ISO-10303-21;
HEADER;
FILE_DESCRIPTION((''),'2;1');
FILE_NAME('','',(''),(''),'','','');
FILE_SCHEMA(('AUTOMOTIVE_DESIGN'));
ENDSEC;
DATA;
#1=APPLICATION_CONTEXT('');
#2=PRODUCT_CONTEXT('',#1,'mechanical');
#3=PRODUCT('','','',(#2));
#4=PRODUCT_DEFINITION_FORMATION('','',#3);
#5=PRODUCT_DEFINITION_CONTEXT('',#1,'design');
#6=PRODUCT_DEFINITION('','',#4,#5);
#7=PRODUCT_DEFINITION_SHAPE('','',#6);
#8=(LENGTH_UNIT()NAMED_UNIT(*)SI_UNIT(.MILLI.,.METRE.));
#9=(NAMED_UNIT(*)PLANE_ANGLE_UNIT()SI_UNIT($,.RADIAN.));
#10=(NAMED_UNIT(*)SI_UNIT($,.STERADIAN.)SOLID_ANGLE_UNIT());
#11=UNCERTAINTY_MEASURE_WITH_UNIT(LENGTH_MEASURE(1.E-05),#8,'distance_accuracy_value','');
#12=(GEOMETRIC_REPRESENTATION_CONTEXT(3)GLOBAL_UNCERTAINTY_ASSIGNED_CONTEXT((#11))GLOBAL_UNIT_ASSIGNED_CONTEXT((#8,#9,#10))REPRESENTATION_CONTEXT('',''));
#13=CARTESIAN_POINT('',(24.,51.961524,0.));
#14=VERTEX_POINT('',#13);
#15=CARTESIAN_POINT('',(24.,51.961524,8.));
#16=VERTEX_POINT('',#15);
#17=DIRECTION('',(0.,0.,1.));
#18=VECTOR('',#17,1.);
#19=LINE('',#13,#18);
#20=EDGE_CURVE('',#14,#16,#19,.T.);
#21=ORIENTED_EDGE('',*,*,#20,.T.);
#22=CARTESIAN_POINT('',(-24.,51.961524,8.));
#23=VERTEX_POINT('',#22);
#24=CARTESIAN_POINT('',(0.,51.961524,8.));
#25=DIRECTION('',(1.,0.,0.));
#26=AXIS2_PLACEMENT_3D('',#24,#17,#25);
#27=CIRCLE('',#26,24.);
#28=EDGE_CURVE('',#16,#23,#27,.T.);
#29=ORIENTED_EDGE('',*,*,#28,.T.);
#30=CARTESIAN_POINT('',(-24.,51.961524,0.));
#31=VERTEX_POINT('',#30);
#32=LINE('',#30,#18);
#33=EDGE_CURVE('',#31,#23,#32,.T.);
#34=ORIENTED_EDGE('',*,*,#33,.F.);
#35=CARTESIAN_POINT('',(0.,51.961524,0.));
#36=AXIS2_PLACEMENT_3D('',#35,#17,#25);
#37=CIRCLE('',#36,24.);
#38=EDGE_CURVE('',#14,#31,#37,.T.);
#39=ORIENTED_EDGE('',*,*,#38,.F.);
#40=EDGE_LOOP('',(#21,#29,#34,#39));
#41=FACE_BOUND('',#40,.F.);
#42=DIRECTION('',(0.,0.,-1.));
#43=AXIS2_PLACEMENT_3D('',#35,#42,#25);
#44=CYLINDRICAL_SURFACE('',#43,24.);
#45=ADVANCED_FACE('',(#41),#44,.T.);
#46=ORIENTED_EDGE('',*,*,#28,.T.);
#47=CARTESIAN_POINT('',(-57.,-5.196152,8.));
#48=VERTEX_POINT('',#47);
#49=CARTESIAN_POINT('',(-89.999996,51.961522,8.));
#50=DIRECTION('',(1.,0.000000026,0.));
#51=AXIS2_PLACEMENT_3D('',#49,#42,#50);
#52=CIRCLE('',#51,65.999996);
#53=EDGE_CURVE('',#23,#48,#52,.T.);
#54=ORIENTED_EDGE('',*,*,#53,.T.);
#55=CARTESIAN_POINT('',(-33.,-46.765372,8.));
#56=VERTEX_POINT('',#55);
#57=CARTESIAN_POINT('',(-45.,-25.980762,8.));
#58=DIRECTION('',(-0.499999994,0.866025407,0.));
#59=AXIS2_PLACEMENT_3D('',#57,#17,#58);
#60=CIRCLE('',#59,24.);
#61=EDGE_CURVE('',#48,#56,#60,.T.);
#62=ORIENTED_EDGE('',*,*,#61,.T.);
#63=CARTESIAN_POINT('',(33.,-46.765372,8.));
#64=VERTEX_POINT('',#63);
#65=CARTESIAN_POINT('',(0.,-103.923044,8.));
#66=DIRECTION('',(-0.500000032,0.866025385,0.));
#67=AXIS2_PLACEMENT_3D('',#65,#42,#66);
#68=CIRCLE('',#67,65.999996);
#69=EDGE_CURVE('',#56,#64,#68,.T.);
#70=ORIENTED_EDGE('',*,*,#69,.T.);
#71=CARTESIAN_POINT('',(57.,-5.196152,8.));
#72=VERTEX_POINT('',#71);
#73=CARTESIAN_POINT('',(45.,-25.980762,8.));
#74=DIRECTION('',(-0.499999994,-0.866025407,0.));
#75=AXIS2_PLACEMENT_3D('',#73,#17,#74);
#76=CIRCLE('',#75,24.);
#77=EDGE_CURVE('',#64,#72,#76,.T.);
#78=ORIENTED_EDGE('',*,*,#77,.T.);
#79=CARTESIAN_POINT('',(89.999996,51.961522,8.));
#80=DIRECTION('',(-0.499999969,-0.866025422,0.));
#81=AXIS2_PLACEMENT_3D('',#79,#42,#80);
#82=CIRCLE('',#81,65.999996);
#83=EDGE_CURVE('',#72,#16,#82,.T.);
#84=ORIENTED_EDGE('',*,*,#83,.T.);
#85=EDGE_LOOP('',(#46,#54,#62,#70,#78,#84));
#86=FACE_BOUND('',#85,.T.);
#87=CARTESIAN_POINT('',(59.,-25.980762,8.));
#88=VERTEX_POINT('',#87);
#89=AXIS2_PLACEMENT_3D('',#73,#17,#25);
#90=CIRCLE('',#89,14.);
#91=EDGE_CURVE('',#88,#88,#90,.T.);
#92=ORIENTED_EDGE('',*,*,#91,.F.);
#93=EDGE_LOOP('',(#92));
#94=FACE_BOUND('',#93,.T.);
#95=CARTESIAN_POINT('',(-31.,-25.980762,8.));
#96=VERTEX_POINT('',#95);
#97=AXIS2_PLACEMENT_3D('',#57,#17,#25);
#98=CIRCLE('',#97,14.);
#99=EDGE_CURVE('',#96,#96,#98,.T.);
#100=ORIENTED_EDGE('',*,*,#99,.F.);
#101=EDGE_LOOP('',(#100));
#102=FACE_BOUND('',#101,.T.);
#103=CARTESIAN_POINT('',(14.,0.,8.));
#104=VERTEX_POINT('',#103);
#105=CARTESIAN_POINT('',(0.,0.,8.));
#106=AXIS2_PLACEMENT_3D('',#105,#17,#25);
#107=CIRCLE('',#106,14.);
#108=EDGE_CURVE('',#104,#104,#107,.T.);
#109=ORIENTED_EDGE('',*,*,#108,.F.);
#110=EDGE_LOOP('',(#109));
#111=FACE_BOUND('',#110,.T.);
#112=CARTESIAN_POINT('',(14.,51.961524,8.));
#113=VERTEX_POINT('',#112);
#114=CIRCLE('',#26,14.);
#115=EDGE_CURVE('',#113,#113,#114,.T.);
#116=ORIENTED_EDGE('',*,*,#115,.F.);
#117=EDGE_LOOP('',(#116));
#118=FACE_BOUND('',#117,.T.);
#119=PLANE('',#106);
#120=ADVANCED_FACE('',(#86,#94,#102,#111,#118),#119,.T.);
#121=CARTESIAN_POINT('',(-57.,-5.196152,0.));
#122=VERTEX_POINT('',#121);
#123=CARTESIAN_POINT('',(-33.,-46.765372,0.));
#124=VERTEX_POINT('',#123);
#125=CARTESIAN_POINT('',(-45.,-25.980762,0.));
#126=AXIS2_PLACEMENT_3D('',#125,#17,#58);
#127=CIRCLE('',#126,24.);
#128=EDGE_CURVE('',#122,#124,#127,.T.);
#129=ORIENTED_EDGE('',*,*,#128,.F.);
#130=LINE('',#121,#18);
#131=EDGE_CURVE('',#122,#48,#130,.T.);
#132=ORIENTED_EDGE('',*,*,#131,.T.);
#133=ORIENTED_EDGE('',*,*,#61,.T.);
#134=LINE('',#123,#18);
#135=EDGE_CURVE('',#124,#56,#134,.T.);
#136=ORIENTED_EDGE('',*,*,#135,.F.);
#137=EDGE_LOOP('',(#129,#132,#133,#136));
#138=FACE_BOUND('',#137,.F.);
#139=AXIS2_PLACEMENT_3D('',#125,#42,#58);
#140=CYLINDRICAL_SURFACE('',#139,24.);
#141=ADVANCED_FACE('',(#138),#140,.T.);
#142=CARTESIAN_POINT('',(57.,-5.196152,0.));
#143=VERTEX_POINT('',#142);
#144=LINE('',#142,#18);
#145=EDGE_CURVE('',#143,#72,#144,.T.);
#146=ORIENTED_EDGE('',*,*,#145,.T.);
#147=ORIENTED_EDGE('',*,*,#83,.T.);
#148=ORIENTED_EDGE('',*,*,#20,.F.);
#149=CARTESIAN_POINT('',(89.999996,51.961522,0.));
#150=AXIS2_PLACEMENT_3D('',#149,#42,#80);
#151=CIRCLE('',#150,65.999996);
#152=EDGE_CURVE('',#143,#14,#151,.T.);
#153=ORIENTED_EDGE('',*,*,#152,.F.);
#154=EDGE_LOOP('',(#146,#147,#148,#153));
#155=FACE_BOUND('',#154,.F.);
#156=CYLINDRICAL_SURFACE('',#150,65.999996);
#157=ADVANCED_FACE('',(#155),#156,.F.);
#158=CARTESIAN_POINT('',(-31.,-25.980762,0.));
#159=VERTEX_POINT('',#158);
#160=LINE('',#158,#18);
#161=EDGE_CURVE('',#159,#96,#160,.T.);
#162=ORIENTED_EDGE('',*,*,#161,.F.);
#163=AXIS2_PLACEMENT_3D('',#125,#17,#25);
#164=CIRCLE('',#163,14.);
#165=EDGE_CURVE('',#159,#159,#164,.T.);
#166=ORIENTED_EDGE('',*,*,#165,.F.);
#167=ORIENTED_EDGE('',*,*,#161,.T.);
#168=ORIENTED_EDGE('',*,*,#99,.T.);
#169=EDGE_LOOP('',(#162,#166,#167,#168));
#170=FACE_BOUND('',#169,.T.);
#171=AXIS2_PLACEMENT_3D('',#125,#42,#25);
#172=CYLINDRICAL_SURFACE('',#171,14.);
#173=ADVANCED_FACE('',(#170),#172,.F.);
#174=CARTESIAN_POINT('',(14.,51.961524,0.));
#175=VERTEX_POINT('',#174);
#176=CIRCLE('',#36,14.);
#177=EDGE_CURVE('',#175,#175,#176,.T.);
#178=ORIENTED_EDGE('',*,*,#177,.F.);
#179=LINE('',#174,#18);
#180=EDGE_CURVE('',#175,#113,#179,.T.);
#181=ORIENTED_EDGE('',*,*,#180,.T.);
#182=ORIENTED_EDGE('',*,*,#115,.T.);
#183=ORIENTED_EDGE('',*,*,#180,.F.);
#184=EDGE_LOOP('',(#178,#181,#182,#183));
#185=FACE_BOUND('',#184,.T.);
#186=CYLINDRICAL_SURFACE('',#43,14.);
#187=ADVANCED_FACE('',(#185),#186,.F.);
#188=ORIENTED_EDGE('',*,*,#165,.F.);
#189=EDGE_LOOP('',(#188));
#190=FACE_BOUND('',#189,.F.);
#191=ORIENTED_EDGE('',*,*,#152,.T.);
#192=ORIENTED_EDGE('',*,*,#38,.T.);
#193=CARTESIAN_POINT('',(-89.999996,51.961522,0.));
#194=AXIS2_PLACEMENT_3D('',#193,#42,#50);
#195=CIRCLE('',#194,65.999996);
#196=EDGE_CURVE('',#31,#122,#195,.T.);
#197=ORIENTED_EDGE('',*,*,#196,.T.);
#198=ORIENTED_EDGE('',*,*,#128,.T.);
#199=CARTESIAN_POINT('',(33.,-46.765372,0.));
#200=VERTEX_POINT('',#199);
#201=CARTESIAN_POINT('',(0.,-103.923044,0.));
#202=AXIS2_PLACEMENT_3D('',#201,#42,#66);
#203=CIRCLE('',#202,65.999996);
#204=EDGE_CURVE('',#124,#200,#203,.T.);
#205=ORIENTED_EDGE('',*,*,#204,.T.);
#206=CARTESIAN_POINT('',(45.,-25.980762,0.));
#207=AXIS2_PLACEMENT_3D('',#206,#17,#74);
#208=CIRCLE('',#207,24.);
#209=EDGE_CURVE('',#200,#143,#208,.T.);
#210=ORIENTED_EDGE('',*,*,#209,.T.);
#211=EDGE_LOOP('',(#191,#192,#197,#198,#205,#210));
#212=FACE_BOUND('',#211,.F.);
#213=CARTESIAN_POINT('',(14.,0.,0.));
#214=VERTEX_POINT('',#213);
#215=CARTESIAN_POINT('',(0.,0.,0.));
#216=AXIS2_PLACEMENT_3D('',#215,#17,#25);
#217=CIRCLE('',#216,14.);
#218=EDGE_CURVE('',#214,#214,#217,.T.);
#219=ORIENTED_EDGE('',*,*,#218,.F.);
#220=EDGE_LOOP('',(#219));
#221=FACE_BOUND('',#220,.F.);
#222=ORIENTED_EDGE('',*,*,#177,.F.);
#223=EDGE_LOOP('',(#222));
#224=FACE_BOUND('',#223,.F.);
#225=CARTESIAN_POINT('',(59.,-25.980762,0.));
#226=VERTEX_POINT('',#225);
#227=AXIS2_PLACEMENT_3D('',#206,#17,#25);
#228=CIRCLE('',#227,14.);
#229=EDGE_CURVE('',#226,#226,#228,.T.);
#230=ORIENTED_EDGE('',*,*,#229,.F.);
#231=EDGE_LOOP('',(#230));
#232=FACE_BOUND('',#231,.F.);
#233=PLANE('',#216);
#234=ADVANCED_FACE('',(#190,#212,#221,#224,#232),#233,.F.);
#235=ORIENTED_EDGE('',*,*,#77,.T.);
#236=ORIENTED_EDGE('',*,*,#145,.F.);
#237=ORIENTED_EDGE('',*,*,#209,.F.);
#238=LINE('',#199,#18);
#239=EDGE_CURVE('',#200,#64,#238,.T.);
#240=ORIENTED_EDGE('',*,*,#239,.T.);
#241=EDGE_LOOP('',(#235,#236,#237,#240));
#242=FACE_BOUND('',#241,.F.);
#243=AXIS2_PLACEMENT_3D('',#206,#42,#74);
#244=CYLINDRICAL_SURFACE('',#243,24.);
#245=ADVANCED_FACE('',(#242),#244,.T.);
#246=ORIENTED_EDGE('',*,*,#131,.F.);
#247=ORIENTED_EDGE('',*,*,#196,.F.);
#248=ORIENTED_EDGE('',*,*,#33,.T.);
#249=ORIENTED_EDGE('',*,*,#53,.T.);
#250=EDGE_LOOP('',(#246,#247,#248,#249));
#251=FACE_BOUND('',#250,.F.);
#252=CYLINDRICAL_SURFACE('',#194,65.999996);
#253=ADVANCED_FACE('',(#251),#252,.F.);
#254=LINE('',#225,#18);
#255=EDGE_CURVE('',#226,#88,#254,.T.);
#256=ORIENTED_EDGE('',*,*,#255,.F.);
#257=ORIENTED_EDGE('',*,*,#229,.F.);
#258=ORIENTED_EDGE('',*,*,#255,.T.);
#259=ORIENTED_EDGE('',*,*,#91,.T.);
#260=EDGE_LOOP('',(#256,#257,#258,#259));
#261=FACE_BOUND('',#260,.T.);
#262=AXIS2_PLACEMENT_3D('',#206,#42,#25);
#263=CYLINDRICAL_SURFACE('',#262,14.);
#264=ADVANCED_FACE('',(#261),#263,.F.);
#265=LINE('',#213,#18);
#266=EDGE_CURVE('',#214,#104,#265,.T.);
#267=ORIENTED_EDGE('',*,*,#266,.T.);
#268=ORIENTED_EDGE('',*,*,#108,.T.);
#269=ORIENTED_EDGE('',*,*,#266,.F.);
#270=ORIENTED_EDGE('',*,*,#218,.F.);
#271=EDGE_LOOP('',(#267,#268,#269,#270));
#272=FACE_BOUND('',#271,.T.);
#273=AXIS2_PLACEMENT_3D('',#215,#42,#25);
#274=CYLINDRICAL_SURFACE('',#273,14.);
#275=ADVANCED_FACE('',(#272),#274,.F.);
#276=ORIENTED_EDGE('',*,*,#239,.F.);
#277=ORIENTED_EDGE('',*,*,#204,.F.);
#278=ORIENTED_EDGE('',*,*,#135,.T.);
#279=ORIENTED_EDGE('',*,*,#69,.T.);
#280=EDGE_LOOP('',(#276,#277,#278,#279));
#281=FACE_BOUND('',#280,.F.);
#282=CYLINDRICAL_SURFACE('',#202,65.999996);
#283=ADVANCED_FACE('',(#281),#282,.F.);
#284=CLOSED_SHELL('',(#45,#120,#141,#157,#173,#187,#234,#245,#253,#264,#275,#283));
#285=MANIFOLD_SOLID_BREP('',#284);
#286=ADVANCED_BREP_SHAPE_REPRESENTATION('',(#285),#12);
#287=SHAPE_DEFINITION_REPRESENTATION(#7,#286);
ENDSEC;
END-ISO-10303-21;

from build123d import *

# Parameters (mm, degrees)
F0_R     = 14
F1_DEPTH = 8


with BuildPart() as f1:
    # F0 (on Top) → F1 (new body)
    with BuildSketch(Plane.XY):
        with BuildLine():
            ThreePointArc((57, -5.196152), (32.842323, 18.961524), (24, 51.961524))
            ThreePointArc((24, 51.961524), (0, 75.961524), (-24, 51.961524))
            ThreePointArc((-24, 51.961524), (-32.842323, 18.961524), (-57, -5.196152))
            ThreePointArc((-57, -5.196152), (-65.78461, -37.980762), (-33, -46.765372))
            ThreePointArc((-33, -46.765372), (0, -37.923048), (33, -46.765372))
            ThreePointArc((33, -46.765372), (65.78461, -37.980762), (57, -5.196152))
        make_face()
        with Locations((-45, -25.980762)):
            Circle(F0_R, mode=Mode.SUBTRACT)
        Circle(F0_R, mode=Mode.SUBTRACT)
        with Locations((45, -25.980762)):
            Circle(F0_R, mode=Mode.SUBTRACT)
        with Locations((0, 51.961524)):
            Circle(F0_R, mode=Mode.SUBTRACT)
    extrude(amount=F1_DEPTH)


solid = f1.part
